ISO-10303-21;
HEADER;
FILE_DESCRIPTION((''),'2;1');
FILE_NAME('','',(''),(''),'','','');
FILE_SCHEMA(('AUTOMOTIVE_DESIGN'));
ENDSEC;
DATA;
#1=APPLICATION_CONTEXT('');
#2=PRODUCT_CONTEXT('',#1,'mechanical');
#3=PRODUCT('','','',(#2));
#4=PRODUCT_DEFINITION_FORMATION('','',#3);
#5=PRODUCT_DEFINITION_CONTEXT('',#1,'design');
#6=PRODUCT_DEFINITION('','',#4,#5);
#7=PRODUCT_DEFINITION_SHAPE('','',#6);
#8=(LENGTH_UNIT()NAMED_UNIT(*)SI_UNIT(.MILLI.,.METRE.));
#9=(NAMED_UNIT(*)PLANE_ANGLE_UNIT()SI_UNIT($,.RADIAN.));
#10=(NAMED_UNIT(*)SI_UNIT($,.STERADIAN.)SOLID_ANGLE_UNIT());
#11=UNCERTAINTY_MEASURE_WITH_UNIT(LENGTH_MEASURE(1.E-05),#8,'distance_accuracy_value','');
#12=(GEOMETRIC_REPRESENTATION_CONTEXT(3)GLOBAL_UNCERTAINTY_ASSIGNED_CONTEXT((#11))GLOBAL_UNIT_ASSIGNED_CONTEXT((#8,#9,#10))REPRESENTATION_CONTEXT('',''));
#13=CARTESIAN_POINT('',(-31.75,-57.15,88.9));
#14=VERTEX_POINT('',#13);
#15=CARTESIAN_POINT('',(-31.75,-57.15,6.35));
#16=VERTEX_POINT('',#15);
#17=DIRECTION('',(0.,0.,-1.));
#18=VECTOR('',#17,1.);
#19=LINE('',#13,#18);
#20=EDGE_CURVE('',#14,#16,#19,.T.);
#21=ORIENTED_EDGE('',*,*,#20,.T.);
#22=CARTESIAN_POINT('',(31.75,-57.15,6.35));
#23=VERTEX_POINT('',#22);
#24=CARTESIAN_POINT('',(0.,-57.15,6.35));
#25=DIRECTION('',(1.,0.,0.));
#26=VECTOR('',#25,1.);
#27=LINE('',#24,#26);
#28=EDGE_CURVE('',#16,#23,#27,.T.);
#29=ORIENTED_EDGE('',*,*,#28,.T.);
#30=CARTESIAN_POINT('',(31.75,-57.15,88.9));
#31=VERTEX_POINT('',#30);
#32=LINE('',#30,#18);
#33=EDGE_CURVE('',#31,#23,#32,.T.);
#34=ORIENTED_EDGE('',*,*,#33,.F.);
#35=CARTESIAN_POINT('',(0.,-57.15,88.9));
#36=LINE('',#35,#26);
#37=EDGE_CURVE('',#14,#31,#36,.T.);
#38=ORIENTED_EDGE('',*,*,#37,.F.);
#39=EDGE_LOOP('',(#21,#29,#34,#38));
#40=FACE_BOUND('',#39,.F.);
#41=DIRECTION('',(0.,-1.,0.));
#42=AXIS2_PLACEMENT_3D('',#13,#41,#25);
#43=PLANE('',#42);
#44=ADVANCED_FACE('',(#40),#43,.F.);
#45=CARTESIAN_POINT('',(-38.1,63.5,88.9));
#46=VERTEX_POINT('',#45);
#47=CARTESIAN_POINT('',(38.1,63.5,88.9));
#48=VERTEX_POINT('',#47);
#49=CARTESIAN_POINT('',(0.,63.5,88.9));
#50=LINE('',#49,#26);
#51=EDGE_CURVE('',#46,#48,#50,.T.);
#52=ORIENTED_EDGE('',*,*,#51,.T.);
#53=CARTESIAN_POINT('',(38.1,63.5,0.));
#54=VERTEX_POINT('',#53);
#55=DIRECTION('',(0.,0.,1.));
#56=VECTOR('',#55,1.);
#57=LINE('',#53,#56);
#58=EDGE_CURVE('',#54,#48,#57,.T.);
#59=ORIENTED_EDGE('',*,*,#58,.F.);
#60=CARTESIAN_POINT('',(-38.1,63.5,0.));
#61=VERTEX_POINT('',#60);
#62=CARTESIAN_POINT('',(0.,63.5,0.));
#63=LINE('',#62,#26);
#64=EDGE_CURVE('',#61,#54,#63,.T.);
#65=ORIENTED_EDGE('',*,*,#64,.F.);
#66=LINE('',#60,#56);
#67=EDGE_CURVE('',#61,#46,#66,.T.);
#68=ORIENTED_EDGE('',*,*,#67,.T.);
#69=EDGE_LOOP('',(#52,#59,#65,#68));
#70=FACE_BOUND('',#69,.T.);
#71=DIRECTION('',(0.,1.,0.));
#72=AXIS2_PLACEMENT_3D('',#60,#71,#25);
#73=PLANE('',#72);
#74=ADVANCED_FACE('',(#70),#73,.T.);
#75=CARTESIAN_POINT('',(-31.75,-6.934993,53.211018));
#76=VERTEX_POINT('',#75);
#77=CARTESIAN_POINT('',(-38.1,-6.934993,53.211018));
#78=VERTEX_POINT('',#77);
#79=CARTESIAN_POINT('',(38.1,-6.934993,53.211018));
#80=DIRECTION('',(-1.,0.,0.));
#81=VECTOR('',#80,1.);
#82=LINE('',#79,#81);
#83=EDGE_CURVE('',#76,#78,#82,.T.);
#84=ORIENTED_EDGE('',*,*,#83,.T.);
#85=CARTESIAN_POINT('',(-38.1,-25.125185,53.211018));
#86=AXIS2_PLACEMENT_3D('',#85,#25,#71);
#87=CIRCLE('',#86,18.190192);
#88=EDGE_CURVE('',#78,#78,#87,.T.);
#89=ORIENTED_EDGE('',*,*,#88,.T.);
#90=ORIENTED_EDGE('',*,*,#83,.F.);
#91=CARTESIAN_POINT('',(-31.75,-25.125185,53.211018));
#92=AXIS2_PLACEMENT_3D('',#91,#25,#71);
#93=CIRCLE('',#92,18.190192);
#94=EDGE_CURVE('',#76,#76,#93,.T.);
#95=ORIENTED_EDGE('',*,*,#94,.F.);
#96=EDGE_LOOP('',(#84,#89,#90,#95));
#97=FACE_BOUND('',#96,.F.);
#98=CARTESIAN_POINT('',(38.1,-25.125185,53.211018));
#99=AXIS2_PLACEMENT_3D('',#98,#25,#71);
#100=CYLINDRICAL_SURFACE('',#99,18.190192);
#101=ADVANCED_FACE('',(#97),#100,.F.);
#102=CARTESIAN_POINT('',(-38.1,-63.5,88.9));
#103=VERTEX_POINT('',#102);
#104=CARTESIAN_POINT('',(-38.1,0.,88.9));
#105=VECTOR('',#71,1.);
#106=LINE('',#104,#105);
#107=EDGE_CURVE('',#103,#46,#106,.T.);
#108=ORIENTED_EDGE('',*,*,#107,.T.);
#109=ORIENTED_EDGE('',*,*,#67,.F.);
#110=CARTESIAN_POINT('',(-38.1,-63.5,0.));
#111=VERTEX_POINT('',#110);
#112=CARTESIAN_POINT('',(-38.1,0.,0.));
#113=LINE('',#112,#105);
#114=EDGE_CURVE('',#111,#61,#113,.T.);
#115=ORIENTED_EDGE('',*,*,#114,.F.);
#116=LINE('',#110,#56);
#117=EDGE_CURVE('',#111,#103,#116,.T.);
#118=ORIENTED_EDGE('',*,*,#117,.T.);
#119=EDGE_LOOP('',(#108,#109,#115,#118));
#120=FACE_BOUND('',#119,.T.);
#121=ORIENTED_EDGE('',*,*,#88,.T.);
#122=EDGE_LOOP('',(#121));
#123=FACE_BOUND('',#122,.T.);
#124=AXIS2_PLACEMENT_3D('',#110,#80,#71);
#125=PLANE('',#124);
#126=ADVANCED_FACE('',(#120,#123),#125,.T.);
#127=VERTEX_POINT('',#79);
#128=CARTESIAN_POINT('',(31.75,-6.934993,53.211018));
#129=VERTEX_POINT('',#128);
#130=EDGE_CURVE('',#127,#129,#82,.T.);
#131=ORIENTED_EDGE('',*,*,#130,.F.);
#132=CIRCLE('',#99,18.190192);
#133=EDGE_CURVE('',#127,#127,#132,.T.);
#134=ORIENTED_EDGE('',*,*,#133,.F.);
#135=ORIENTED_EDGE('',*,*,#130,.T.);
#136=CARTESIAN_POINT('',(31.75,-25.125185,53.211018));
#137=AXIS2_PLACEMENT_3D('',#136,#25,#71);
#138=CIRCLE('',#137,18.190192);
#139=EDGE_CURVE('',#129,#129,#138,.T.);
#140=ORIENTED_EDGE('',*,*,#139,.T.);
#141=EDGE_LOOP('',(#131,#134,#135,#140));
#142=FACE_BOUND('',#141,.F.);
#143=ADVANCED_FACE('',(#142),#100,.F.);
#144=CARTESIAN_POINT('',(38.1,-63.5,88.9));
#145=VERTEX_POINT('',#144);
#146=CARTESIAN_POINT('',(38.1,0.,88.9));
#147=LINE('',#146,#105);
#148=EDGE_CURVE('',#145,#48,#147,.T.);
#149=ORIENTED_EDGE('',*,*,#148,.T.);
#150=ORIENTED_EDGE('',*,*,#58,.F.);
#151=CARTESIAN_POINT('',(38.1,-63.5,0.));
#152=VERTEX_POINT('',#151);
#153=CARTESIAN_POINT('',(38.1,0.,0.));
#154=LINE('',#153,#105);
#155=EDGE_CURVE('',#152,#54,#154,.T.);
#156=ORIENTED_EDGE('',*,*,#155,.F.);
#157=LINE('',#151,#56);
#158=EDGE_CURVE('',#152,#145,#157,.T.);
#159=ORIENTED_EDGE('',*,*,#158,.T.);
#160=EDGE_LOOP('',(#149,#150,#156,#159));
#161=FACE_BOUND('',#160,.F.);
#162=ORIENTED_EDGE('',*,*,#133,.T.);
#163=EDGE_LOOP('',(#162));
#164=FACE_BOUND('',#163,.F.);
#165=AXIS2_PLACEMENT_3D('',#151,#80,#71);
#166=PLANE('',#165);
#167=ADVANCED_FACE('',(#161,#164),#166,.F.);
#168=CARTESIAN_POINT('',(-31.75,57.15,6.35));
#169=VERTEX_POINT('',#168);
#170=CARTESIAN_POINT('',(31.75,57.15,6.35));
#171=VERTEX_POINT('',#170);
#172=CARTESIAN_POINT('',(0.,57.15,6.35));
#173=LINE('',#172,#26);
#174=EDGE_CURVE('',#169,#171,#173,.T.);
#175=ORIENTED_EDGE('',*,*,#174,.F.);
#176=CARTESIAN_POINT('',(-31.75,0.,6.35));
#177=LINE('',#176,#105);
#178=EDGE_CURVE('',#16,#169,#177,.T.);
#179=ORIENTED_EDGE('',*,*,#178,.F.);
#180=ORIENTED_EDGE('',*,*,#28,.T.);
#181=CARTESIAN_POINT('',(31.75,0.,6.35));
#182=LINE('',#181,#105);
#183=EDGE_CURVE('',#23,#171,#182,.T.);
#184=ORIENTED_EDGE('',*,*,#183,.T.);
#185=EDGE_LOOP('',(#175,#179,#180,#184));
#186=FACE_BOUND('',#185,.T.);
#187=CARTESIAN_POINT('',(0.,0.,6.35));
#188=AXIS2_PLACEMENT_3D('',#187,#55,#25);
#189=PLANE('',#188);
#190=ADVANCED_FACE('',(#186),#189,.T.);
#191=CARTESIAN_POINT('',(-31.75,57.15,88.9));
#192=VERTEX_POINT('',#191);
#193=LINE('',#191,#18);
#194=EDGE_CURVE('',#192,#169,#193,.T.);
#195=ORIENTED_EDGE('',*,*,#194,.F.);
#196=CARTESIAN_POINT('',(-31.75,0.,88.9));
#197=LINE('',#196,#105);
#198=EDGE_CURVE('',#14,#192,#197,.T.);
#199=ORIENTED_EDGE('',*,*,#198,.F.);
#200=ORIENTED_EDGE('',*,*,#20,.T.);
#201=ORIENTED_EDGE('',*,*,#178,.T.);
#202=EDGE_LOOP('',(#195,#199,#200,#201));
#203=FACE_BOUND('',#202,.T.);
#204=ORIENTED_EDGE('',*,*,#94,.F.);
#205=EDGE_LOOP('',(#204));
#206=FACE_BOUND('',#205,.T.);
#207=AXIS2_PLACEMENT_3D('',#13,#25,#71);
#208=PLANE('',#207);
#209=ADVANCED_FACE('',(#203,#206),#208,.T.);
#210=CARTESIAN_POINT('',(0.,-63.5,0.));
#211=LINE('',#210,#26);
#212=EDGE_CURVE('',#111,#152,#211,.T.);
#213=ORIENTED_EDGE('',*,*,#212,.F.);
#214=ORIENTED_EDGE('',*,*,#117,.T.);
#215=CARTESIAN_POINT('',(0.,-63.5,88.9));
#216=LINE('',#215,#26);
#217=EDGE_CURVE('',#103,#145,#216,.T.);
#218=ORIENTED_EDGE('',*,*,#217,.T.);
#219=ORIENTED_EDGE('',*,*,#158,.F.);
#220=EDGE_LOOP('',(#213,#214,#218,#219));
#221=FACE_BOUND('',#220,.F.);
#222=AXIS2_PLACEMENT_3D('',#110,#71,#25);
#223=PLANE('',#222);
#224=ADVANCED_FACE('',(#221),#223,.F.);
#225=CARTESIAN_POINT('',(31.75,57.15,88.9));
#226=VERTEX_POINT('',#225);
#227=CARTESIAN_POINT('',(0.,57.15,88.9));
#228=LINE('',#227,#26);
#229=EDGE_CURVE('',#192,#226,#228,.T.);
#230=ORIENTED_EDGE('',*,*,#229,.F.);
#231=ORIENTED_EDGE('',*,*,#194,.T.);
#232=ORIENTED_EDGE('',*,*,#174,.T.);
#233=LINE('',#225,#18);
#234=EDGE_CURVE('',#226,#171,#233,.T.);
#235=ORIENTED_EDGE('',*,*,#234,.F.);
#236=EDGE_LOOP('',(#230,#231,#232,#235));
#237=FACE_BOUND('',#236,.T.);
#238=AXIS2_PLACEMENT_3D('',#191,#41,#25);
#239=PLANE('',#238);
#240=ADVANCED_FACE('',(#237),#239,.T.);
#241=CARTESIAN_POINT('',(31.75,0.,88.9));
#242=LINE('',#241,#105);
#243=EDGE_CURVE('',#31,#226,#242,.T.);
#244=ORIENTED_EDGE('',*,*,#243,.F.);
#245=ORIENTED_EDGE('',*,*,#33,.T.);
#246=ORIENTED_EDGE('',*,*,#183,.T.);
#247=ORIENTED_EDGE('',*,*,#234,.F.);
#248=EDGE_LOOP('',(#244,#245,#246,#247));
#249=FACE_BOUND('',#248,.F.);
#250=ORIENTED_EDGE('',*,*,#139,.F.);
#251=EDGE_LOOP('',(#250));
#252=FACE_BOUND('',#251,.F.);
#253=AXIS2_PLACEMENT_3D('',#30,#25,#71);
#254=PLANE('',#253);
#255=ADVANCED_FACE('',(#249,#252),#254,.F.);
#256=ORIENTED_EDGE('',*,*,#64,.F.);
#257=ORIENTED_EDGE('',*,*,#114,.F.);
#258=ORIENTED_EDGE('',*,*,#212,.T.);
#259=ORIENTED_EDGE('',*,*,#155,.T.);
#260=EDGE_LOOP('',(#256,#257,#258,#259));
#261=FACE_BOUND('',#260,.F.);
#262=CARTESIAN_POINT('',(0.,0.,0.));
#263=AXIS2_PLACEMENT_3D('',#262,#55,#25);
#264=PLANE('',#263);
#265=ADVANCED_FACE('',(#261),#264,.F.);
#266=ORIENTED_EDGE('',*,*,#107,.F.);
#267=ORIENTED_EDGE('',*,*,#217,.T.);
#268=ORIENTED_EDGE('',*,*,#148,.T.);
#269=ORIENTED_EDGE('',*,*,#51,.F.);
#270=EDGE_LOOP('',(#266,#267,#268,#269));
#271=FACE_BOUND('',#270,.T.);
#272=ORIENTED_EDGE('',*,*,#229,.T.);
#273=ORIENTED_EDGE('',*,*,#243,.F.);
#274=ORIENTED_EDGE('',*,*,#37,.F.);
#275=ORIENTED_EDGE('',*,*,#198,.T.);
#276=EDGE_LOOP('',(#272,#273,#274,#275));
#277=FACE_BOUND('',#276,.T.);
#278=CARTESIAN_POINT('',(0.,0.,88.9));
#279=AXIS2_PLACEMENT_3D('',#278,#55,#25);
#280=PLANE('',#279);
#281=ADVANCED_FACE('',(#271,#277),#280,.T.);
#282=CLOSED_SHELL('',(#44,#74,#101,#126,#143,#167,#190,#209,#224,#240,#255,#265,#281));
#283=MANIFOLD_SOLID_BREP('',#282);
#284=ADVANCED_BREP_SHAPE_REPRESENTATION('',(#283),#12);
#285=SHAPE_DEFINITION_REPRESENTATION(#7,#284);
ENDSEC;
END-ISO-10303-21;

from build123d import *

# Parameters (mm, degrees)
F0_W     = 76.2
F0_H     = 127
F1_DEPTH = 88.9
F2_W     = 63.5
F2_H     = 114.3
F3_DEPTH = 82.55
F4_R     = 18.190192
F5_DEPTH = 76.201


with BuildPart() as f1:
    # F0 (on Top) → F1 (new body)
    with BuildSketch(Plane.XY):
        Rectangle(F0_W, F0_H)
    extrude(amount=F1_DEPTH)

    # F2 (on face) → F3 (cut)
    with BuildSketch(Plane.XY.offset(88.9)):
        Rectangle(F2_W, F2_H)
    extrude(amount=-F3_DEPTH, mode=Mode.SUBTRACT)

    # F4 (on face) → F5 (cut, through all)
    with BuildSketch(Plane.YZ.offset(38.1)):
        with Locations((-25.125185, 53.211018)):
            Circle(F4_R)
    extrude(amount=-F5_DEPTH, mode=Mode.SUBTRACT)


solid = f1.part
